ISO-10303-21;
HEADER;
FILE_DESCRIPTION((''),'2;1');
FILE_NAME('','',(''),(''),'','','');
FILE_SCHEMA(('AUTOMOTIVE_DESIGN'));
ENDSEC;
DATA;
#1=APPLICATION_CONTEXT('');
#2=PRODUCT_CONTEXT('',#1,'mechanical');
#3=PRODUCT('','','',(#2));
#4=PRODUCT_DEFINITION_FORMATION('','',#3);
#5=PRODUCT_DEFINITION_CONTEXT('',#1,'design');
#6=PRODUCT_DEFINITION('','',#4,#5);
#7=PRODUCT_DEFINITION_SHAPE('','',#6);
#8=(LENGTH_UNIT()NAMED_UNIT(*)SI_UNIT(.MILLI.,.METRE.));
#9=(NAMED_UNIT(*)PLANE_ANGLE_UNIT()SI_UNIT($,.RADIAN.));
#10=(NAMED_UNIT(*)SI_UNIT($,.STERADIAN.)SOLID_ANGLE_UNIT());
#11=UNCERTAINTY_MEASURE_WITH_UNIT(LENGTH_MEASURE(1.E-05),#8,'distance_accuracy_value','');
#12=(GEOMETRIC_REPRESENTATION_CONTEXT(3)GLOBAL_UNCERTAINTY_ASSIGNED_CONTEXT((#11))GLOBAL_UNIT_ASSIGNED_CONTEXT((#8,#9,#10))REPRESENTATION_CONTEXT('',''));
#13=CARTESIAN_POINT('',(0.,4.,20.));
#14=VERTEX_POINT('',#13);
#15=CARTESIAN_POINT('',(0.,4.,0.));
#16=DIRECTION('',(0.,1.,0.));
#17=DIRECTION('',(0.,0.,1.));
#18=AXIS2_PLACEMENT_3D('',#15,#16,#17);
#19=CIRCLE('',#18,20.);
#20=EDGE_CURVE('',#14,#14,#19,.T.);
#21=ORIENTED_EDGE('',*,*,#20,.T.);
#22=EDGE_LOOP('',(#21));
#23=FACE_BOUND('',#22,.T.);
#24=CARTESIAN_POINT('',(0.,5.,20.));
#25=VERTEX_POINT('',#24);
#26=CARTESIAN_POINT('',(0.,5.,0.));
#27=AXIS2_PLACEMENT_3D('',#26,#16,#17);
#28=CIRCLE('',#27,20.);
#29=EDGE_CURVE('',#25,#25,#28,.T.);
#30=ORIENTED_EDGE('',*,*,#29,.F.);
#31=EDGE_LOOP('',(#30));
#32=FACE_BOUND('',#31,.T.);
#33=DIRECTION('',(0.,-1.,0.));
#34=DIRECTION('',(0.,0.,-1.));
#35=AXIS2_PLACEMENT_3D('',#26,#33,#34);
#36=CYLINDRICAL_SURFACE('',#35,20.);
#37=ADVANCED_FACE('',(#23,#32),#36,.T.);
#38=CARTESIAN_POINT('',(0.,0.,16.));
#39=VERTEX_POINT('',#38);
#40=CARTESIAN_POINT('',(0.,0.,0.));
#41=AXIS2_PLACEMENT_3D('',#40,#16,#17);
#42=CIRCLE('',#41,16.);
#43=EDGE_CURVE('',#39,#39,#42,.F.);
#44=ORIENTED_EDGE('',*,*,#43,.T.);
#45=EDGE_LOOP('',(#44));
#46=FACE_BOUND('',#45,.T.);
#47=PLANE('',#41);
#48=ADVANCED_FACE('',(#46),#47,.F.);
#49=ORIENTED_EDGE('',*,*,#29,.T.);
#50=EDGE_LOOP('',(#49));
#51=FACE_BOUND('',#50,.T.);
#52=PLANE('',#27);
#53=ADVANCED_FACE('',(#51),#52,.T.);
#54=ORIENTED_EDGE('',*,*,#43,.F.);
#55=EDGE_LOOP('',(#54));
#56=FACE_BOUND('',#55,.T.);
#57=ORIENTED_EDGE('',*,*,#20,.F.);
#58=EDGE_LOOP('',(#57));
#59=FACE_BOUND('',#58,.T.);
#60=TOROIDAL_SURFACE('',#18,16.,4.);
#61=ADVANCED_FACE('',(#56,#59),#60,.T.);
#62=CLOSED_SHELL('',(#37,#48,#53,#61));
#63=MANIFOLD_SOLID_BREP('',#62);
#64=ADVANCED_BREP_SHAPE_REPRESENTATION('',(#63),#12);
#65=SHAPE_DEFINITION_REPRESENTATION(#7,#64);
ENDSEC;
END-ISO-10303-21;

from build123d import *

# Parameters (mm, degrees)
SKETCH1_R           = 20
BOSS_EXTRUDE1_DEPTH = 5
FILLET1_R           = 4


with BuildPart() as part:
    # Sketch1 → Boss-Extrude1 (new body)
    with BuildSketch(Plane(origin=(0, 0, 0), x_dir=(1, 0, 0), z_dir=(0, 1, 0))):
        Circle(SKETCH1_R)
    extrude(amount=BOSS_EXTRUDE1_DEPTH)

    # Fillet1
    fillet1_edges = [part.edges().sort_by_distance(p)[0] for p in [
        (-20, 0, 0),
    ]]
    fillet(fillet1_edges, radius=FILLET1_R)


solid = part.part
